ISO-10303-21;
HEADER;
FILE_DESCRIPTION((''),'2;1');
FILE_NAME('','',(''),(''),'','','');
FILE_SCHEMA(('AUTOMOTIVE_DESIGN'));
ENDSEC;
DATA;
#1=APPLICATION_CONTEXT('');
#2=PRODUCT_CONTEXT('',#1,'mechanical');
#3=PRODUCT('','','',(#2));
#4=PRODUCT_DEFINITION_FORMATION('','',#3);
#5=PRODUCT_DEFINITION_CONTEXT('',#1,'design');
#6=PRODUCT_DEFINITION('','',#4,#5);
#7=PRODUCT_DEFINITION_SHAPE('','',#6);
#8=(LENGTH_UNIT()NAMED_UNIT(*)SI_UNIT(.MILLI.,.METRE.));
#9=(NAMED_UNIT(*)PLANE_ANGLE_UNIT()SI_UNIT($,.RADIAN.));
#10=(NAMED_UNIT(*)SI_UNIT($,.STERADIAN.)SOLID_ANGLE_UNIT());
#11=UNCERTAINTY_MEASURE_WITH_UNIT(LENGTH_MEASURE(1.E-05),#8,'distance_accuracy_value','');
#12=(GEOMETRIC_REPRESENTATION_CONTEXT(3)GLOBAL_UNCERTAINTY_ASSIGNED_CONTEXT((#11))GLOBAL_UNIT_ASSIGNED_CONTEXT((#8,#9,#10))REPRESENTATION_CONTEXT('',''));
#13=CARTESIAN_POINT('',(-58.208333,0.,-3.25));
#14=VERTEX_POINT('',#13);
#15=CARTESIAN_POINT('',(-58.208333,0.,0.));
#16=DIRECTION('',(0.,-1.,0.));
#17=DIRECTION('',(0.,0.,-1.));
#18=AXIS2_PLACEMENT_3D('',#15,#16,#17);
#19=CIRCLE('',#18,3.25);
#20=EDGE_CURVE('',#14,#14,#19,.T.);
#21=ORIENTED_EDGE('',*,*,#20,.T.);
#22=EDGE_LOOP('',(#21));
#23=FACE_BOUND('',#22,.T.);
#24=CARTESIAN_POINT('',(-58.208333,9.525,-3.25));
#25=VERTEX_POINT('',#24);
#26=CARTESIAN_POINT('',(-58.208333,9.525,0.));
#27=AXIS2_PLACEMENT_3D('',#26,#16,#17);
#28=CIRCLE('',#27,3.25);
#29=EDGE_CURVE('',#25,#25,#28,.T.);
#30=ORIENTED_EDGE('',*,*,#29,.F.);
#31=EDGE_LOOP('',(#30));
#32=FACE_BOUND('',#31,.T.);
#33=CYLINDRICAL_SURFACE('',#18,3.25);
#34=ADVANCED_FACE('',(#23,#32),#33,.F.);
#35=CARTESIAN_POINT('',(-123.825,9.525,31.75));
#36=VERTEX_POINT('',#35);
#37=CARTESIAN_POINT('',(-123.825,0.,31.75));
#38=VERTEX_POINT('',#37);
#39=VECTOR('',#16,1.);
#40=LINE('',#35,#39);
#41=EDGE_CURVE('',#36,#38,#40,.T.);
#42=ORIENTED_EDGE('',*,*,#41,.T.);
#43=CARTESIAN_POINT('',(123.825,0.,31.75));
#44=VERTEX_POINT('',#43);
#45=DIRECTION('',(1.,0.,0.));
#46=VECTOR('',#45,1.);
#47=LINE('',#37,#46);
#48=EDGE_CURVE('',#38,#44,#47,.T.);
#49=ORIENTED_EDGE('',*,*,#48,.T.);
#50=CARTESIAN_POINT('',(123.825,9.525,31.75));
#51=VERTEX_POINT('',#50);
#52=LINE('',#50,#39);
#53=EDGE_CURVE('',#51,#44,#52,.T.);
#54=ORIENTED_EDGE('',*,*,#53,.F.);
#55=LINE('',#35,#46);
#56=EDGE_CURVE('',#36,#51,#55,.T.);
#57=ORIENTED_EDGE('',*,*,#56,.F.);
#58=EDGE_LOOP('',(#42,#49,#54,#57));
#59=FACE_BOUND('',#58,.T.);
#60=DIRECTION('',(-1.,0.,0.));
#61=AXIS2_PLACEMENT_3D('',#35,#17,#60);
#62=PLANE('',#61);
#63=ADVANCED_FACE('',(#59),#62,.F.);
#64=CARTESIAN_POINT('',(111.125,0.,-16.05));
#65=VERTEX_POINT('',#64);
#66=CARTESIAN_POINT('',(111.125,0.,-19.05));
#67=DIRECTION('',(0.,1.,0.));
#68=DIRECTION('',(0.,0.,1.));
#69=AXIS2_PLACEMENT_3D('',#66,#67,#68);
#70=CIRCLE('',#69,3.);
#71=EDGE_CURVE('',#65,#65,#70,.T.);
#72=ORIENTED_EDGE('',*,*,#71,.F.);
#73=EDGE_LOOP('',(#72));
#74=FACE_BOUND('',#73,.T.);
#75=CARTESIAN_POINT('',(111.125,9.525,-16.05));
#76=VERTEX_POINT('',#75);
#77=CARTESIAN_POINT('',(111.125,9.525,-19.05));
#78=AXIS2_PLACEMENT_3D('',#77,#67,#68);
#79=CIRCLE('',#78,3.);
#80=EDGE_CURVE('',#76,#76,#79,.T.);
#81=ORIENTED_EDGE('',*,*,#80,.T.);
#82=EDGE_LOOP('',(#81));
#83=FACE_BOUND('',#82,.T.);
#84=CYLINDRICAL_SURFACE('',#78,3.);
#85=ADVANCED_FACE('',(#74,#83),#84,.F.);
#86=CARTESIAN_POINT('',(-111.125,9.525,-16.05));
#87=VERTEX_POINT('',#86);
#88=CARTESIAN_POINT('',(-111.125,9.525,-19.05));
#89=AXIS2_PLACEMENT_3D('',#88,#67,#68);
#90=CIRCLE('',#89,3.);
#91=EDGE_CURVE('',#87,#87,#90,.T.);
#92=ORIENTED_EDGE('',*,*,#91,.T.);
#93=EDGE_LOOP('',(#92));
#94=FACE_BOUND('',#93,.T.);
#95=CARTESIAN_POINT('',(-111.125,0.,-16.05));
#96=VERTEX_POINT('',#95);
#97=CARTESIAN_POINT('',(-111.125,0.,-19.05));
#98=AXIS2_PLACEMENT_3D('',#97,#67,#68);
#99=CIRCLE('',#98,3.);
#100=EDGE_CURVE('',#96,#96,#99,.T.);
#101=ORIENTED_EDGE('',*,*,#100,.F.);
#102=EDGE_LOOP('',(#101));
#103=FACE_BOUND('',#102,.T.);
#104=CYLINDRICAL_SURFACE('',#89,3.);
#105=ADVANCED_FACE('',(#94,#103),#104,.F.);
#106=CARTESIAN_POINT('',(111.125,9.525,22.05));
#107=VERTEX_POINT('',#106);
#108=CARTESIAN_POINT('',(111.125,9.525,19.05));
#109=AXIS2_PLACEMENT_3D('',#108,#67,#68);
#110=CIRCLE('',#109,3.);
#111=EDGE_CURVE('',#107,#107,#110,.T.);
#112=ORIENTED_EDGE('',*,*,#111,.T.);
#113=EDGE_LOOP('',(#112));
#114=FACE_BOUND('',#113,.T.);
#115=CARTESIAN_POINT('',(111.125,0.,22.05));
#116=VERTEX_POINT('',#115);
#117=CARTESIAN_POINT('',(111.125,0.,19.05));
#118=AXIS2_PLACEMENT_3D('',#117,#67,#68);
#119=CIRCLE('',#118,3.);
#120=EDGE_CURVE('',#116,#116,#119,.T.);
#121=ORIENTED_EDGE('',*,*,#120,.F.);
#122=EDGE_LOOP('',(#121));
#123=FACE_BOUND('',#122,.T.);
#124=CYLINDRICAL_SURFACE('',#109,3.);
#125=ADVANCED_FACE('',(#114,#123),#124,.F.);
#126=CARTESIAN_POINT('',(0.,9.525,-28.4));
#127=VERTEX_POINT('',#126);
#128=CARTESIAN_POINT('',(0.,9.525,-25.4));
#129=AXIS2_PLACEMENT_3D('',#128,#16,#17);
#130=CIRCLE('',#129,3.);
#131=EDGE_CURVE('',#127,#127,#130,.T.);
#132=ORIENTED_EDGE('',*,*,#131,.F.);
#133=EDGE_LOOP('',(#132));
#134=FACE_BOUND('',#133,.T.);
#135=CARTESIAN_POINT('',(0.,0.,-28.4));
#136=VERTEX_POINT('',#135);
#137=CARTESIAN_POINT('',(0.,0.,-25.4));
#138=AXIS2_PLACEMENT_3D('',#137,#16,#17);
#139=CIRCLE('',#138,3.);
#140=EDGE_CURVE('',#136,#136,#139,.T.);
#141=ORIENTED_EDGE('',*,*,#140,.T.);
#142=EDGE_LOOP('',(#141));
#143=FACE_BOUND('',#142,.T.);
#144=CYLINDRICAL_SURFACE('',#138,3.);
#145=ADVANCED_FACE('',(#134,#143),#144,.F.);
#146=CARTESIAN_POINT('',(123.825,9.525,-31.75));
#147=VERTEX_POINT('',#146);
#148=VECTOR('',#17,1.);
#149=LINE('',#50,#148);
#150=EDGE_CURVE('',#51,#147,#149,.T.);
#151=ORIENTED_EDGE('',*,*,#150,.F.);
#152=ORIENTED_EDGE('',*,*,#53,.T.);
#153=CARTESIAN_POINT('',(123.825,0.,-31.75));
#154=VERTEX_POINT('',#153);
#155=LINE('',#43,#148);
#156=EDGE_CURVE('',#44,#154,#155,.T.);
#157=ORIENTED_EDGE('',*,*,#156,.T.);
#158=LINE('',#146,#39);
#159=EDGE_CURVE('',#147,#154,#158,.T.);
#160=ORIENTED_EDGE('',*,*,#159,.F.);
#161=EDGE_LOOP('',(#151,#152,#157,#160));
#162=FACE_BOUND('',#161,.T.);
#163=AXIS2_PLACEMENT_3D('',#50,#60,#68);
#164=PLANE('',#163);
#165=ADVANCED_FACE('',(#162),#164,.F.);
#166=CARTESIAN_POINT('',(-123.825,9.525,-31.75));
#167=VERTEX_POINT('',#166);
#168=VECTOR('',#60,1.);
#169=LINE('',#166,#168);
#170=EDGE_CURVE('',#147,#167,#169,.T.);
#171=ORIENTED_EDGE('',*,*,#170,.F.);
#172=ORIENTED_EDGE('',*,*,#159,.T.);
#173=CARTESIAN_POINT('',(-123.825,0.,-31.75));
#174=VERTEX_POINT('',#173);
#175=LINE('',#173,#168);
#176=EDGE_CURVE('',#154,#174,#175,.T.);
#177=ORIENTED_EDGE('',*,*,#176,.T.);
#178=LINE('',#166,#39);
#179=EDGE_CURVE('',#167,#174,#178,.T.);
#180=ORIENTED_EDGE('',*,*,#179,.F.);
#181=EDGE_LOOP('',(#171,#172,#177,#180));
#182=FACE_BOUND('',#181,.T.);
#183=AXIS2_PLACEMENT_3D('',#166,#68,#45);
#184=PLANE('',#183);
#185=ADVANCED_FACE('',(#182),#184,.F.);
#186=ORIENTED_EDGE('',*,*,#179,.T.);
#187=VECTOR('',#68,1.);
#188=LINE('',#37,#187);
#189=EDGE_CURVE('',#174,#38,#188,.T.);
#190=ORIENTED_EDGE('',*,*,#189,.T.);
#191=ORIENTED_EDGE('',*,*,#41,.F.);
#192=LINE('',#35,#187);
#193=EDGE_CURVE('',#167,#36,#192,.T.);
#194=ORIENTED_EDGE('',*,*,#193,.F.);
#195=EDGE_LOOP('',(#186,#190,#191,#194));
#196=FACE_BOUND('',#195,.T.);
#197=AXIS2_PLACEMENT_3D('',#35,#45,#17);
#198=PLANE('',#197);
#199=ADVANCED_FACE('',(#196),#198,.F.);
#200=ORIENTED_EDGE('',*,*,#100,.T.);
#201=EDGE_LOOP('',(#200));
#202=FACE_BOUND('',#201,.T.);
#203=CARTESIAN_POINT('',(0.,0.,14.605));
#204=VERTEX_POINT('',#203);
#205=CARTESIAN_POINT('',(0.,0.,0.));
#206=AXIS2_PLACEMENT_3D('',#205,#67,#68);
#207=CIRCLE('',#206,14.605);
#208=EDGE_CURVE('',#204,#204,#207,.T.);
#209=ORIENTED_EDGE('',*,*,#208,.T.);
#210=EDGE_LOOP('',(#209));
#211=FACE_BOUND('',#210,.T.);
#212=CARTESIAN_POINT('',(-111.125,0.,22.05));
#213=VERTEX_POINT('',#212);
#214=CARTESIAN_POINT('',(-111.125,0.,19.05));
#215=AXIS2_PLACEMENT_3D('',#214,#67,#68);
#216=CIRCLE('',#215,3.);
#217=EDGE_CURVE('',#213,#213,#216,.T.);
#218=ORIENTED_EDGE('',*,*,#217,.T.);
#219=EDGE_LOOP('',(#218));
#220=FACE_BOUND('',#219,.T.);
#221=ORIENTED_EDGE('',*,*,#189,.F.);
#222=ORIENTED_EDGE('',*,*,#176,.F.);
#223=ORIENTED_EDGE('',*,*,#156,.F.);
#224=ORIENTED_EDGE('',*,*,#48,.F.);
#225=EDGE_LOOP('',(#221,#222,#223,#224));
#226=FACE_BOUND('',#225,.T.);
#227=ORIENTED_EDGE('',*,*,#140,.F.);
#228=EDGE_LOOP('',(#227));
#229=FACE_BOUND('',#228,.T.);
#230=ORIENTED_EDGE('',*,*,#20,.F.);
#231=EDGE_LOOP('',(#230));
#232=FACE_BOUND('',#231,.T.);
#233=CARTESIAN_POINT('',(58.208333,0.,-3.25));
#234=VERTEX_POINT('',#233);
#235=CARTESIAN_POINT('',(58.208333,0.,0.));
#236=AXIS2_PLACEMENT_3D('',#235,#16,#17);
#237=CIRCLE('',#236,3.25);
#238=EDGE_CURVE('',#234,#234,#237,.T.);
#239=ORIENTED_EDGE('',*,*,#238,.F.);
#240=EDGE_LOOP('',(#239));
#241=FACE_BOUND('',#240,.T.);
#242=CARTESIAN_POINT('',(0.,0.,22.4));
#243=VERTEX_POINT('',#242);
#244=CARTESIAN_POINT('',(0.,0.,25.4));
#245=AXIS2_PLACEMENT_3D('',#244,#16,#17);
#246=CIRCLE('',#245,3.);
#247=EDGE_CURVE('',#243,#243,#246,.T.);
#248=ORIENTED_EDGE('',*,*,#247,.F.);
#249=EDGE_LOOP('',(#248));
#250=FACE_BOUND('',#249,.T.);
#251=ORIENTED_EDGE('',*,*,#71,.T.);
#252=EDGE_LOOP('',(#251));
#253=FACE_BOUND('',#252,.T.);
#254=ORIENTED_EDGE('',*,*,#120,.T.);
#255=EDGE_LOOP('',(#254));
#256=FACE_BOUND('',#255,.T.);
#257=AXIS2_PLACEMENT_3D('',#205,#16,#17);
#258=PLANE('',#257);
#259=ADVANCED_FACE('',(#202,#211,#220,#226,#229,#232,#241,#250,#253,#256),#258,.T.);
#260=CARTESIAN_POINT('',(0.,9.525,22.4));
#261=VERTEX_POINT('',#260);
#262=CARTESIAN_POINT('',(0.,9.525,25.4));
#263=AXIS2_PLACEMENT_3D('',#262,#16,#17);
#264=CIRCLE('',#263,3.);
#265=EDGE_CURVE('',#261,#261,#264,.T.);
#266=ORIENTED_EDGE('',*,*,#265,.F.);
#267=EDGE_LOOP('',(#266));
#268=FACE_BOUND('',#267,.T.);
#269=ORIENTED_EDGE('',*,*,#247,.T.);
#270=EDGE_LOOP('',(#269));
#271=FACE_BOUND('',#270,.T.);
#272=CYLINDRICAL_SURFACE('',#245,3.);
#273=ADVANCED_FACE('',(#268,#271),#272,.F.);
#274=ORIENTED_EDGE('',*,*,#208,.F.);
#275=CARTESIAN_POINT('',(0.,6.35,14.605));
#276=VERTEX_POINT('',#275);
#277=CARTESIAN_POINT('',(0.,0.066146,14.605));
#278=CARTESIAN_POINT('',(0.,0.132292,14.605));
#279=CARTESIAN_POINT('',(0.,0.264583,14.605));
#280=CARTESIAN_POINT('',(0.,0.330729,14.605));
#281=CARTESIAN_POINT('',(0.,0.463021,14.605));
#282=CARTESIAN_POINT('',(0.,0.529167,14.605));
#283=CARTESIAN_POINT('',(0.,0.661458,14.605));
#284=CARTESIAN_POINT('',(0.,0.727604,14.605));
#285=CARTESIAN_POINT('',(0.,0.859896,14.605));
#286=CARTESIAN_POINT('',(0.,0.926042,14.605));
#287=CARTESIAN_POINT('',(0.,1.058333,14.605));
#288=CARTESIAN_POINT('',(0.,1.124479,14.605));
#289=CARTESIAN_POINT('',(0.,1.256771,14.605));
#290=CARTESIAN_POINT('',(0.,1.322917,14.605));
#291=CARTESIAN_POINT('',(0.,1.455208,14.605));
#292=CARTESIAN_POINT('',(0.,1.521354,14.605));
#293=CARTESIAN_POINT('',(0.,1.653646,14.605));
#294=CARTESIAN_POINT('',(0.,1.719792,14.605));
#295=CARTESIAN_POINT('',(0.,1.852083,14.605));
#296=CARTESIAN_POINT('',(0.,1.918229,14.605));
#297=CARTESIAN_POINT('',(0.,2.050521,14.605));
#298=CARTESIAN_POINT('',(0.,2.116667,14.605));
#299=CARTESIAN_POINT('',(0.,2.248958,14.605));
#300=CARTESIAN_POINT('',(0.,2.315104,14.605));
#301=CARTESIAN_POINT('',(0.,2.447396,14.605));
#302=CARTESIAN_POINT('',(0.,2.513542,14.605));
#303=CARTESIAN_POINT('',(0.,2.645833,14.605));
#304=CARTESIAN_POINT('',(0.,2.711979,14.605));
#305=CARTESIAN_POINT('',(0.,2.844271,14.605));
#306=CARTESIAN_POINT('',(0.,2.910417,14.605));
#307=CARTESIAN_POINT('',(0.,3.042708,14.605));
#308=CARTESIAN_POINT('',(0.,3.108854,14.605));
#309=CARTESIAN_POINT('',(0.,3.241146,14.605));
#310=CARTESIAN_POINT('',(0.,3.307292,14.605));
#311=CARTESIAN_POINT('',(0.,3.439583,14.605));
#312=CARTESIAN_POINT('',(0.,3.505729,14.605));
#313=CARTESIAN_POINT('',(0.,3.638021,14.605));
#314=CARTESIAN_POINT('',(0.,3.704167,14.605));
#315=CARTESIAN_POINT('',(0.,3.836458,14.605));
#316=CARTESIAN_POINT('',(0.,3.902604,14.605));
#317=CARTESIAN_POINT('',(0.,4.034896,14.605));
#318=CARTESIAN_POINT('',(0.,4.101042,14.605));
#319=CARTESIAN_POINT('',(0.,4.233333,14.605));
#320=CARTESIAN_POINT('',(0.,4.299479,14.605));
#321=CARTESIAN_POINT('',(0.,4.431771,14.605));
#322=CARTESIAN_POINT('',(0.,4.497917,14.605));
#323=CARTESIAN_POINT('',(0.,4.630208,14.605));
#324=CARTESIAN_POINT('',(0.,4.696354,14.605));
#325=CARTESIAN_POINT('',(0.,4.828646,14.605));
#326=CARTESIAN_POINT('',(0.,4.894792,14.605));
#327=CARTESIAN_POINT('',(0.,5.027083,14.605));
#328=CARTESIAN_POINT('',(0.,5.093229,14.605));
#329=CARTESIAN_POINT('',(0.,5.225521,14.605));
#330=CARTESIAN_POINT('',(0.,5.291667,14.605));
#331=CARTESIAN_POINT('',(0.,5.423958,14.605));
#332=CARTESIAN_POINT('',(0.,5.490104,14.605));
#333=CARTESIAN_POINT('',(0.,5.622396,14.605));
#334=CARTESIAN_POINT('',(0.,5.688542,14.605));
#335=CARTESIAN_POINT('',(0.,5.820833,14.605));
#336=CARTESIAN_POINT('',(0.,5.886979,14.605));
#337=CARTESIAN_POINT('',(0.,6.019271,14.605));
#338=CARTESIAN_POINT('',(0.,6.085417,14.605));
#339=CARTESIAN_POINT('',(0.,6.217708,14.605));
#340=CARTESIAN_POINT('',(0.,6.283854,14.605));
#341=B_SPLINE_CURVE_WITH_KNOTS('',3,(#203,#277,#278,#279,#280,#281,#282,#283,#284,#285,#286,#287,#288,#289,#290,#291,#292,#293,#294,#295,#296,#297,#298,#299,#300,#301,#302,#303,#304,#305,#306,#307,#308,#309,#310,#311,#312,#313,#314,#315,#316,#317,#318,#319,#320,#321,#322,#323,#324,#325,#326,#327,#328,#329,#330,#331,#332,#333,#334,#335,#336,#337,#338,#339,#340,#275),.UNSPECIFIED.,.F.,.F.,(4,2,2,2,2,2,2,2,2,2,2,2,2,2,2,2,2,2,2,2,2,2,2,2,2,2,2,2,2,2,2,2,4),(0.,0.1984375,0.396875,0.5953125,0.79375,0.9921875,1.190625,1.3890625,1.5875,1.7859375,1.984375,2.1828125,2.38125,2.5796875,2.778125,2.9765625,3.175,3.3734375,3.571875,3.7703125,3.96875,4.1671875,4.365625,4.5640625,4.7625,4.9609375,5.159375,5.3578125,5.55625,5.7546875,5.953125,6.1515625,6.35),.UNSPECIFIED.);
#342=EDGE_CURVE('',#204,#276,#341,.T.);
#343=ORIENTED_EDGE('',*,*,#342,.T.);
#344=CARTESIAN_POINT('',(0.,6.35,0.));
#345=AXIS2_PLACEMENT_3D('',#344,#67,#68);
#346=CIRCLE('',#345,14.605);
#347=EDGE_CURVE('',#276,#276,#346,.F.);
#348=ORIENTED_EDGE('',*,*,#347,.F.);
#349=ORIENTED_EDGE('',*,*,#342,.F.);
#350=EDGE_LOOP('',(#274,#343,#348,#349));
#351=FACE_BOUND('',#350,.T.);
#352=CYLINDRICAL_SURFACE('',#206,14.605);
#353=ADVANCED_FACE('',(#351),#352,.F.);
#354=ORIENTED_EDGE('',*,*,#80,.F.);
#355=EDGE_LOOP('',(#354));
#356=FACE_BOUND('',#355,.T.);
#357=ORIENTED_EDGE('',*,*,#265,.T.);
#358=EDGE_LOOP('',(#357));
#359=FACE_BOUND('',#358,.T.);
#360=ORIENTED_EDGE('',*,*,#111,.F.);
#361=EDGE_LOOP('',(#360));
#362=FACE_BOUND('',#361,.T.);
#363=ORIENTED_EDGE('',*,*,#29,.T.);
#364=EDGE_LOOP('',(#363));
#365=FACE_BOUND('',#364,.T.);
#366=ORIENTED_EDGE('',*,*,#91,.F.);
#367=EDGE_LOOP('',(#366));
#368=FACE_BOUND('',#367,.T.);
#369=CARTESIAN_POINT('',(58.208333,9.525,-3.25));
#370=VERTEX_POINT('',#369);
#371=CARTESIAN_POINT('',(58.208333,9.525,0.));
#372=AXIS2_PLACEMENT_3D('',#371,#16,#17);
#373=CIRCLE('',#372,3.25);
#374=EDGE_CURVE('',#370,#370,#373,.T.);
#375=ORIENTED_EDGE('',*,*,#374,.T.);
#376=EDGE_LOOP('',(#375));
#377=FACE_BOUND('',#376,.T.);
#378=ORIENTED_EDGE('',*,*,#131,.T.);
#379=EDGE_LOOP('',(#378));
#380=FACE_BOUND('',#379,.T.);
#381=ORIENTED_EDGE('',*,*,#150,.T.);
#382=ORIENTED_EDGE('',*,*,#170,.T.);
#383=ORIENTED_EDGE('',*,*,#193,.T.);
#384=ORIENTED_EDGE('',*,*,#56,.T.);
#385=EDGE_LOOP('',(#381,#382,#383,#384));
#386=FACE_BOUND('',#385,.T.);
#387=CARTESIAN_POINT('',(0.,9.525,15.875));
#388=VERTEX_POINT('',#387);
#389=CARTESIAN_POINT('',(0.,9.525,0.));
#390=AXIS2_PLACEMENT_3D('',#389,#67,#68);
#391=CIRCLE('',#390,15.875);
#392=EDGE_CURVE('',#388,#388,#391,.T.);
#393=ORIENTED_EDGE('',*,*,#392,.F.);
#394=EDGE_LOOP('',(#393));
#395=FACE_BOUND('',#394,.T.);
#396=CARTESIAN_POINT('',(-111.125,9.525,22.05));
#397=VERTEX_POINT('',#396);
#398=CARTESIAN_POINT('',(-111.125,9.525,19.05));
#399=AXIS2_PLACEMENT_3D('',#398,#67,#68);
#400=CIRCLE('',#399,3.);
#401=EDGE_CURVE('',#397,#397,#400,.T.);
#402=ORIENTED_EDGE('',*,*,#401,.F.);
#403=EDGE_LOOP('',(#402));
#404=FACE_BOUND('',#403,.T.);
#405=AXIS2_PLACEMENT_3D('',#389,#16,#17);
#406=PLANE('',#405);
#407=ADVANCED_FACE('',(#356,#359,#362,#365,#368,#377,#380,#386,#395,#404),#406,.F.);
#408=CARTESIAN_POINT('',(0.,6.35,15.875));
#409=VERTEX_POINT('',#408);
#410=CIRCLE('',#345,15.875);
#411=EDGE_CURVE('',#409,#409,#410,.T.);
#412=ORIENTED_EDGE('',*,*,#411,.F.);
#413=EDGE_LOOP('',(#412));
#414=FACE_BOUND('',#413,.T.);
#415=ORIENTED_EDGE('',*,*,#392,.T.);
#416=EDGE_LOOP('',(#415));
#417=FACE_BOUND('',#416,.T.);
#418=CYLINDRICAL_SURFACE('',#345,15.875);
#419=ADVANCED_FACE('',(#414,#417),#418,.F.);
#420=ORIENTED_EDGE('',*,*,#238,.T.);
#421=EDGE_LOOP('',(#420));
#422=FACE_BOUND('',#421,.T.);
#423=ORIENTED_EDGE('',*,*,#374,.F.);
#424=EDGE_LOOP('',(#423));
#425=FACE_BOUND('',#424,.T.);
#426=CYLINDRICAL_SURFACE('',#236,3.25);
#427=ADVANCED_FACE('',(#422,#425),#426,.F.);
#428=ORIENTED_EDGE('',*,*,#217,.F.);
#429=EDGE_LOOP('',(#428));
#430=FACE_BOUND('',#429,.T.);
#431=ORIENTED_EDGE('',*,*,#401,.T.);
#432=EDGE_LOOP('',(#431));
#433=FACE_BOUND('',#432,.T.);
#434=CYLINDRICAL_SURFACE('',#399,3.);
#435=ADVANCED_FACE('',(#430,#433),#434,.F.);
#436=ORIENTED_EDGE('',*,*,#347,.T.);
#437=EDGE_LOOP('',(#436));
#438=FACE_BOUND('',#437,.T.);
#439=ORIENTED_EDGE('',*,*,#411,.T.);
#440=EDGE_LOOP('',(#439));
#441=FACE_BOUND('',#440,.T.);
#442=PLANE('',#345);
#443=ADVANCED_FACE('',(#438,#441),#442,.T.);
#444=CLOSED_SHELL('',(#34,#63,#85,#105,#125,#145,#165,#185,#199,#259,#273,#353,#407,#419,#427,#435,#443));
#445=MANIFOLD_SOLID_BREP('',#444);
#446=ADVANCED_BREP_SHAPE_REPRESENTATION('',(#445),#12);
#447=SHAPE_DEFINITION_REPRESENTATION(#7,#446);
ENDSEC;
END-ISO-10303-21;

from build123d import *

# Parameters (mm, degrees)
SKETCH1_W                  = 247.65
SKETCH1_H                  = 63.5
BOSS_EXTRUDE1_DEPTH        = 9.525
SKETCH3_R                  = 14.605
CUT_EXTRUDE1_DEPTH         = 129.185095662
F_6_0_6_DIAMETER_HOLE1_D   = 6
F_6_5_6_5_DIAMETER_HOLE3_D = 6.5
SKETCH29_R                 = 15.875
CUT_EXTRUDE5_DEPTH         = 3.175
F_6_0_6_DIAMETER_HOLE3_D   = 6


with BuildPart() as part:
    # Sketch1 → Boss-Extrude1 (new body)
    with BuildSketch(Plane(origin=(0, 0, 0), x_dir=(1, 0, 0), z_dir=(0, 1, 0))):
        Rectangle(SKETCH1_W, SKETCH1_H)
    extrude(amount=BOSS_EXTRUDE1_DEPTH)

    # Sketch3 → Cut-Extrude1 (cut, through all)
    with BuildSketch(Plane(origin=(0, 9.525, 0), x_dir=(1, 0, 0), z_dir=(0, 1, 0))):
        with Locations(Location((0, 0, 0), (0, 0, 270))):
            Circle(SKETCH3_R)
    extrude(amount=-CUT_EXTRUDE1_DEPTH, mode=Mode.SUBTRACT)

    # Ø6.0 (6) Diameter Hole1 (through all)
    with Locations(Plane(origin=(0, 0, 0), x_dir=(-1, 0, 0), z_dir=(0, -1, 0))):
        with Locations((0, -25.4), (0, 25.4)):
            Hole(F_6_0_6_DIAMETER_HOLE1_D / 2)

    # Ø6.5 (6.5) Diameter Hole3 (through all)
    with Locations(Plane(origin=(0, 0, 0), x_dir=(-1, 0, 0), z_dir=(0, -1, 0))):
        with Locations((58.208333333, 0), (-58.208333333, 0)):
            Hole(F_6_5_6_5_DIAMETER_HOLE3_D / 2)

    # Sketch29 → Cut-Extrude5 (cut)
    with BuildSketch(Plane(origin=(0, 9.525, 0), x_dir=(1, 0, 0), z_dir=(0, 1, 0))):
        with Locations(Location((0, 0, 0), (0, 0, 270))):
            Circle(SKETCH29_R)
    extrude(amount=-CUT_EXTRUDE5_DEPTH, mode=Mode.SUBTRACT)

    # Ø6.0 (6) Diameter Hole3 (through all)
    with Locations(Plane(origin=(0, 9.525, 0), x_dir=(1, 0, 0), z_dir=(0, 1, 0))):
        with Locations((-111.125, 19.05), (-111.125, -19.05), (111.125, -19.05), (111.125, 19.05)):
            Hole(F_6_0_6_DIAMETER_HOLE3_D / 2)


solid = part.part
